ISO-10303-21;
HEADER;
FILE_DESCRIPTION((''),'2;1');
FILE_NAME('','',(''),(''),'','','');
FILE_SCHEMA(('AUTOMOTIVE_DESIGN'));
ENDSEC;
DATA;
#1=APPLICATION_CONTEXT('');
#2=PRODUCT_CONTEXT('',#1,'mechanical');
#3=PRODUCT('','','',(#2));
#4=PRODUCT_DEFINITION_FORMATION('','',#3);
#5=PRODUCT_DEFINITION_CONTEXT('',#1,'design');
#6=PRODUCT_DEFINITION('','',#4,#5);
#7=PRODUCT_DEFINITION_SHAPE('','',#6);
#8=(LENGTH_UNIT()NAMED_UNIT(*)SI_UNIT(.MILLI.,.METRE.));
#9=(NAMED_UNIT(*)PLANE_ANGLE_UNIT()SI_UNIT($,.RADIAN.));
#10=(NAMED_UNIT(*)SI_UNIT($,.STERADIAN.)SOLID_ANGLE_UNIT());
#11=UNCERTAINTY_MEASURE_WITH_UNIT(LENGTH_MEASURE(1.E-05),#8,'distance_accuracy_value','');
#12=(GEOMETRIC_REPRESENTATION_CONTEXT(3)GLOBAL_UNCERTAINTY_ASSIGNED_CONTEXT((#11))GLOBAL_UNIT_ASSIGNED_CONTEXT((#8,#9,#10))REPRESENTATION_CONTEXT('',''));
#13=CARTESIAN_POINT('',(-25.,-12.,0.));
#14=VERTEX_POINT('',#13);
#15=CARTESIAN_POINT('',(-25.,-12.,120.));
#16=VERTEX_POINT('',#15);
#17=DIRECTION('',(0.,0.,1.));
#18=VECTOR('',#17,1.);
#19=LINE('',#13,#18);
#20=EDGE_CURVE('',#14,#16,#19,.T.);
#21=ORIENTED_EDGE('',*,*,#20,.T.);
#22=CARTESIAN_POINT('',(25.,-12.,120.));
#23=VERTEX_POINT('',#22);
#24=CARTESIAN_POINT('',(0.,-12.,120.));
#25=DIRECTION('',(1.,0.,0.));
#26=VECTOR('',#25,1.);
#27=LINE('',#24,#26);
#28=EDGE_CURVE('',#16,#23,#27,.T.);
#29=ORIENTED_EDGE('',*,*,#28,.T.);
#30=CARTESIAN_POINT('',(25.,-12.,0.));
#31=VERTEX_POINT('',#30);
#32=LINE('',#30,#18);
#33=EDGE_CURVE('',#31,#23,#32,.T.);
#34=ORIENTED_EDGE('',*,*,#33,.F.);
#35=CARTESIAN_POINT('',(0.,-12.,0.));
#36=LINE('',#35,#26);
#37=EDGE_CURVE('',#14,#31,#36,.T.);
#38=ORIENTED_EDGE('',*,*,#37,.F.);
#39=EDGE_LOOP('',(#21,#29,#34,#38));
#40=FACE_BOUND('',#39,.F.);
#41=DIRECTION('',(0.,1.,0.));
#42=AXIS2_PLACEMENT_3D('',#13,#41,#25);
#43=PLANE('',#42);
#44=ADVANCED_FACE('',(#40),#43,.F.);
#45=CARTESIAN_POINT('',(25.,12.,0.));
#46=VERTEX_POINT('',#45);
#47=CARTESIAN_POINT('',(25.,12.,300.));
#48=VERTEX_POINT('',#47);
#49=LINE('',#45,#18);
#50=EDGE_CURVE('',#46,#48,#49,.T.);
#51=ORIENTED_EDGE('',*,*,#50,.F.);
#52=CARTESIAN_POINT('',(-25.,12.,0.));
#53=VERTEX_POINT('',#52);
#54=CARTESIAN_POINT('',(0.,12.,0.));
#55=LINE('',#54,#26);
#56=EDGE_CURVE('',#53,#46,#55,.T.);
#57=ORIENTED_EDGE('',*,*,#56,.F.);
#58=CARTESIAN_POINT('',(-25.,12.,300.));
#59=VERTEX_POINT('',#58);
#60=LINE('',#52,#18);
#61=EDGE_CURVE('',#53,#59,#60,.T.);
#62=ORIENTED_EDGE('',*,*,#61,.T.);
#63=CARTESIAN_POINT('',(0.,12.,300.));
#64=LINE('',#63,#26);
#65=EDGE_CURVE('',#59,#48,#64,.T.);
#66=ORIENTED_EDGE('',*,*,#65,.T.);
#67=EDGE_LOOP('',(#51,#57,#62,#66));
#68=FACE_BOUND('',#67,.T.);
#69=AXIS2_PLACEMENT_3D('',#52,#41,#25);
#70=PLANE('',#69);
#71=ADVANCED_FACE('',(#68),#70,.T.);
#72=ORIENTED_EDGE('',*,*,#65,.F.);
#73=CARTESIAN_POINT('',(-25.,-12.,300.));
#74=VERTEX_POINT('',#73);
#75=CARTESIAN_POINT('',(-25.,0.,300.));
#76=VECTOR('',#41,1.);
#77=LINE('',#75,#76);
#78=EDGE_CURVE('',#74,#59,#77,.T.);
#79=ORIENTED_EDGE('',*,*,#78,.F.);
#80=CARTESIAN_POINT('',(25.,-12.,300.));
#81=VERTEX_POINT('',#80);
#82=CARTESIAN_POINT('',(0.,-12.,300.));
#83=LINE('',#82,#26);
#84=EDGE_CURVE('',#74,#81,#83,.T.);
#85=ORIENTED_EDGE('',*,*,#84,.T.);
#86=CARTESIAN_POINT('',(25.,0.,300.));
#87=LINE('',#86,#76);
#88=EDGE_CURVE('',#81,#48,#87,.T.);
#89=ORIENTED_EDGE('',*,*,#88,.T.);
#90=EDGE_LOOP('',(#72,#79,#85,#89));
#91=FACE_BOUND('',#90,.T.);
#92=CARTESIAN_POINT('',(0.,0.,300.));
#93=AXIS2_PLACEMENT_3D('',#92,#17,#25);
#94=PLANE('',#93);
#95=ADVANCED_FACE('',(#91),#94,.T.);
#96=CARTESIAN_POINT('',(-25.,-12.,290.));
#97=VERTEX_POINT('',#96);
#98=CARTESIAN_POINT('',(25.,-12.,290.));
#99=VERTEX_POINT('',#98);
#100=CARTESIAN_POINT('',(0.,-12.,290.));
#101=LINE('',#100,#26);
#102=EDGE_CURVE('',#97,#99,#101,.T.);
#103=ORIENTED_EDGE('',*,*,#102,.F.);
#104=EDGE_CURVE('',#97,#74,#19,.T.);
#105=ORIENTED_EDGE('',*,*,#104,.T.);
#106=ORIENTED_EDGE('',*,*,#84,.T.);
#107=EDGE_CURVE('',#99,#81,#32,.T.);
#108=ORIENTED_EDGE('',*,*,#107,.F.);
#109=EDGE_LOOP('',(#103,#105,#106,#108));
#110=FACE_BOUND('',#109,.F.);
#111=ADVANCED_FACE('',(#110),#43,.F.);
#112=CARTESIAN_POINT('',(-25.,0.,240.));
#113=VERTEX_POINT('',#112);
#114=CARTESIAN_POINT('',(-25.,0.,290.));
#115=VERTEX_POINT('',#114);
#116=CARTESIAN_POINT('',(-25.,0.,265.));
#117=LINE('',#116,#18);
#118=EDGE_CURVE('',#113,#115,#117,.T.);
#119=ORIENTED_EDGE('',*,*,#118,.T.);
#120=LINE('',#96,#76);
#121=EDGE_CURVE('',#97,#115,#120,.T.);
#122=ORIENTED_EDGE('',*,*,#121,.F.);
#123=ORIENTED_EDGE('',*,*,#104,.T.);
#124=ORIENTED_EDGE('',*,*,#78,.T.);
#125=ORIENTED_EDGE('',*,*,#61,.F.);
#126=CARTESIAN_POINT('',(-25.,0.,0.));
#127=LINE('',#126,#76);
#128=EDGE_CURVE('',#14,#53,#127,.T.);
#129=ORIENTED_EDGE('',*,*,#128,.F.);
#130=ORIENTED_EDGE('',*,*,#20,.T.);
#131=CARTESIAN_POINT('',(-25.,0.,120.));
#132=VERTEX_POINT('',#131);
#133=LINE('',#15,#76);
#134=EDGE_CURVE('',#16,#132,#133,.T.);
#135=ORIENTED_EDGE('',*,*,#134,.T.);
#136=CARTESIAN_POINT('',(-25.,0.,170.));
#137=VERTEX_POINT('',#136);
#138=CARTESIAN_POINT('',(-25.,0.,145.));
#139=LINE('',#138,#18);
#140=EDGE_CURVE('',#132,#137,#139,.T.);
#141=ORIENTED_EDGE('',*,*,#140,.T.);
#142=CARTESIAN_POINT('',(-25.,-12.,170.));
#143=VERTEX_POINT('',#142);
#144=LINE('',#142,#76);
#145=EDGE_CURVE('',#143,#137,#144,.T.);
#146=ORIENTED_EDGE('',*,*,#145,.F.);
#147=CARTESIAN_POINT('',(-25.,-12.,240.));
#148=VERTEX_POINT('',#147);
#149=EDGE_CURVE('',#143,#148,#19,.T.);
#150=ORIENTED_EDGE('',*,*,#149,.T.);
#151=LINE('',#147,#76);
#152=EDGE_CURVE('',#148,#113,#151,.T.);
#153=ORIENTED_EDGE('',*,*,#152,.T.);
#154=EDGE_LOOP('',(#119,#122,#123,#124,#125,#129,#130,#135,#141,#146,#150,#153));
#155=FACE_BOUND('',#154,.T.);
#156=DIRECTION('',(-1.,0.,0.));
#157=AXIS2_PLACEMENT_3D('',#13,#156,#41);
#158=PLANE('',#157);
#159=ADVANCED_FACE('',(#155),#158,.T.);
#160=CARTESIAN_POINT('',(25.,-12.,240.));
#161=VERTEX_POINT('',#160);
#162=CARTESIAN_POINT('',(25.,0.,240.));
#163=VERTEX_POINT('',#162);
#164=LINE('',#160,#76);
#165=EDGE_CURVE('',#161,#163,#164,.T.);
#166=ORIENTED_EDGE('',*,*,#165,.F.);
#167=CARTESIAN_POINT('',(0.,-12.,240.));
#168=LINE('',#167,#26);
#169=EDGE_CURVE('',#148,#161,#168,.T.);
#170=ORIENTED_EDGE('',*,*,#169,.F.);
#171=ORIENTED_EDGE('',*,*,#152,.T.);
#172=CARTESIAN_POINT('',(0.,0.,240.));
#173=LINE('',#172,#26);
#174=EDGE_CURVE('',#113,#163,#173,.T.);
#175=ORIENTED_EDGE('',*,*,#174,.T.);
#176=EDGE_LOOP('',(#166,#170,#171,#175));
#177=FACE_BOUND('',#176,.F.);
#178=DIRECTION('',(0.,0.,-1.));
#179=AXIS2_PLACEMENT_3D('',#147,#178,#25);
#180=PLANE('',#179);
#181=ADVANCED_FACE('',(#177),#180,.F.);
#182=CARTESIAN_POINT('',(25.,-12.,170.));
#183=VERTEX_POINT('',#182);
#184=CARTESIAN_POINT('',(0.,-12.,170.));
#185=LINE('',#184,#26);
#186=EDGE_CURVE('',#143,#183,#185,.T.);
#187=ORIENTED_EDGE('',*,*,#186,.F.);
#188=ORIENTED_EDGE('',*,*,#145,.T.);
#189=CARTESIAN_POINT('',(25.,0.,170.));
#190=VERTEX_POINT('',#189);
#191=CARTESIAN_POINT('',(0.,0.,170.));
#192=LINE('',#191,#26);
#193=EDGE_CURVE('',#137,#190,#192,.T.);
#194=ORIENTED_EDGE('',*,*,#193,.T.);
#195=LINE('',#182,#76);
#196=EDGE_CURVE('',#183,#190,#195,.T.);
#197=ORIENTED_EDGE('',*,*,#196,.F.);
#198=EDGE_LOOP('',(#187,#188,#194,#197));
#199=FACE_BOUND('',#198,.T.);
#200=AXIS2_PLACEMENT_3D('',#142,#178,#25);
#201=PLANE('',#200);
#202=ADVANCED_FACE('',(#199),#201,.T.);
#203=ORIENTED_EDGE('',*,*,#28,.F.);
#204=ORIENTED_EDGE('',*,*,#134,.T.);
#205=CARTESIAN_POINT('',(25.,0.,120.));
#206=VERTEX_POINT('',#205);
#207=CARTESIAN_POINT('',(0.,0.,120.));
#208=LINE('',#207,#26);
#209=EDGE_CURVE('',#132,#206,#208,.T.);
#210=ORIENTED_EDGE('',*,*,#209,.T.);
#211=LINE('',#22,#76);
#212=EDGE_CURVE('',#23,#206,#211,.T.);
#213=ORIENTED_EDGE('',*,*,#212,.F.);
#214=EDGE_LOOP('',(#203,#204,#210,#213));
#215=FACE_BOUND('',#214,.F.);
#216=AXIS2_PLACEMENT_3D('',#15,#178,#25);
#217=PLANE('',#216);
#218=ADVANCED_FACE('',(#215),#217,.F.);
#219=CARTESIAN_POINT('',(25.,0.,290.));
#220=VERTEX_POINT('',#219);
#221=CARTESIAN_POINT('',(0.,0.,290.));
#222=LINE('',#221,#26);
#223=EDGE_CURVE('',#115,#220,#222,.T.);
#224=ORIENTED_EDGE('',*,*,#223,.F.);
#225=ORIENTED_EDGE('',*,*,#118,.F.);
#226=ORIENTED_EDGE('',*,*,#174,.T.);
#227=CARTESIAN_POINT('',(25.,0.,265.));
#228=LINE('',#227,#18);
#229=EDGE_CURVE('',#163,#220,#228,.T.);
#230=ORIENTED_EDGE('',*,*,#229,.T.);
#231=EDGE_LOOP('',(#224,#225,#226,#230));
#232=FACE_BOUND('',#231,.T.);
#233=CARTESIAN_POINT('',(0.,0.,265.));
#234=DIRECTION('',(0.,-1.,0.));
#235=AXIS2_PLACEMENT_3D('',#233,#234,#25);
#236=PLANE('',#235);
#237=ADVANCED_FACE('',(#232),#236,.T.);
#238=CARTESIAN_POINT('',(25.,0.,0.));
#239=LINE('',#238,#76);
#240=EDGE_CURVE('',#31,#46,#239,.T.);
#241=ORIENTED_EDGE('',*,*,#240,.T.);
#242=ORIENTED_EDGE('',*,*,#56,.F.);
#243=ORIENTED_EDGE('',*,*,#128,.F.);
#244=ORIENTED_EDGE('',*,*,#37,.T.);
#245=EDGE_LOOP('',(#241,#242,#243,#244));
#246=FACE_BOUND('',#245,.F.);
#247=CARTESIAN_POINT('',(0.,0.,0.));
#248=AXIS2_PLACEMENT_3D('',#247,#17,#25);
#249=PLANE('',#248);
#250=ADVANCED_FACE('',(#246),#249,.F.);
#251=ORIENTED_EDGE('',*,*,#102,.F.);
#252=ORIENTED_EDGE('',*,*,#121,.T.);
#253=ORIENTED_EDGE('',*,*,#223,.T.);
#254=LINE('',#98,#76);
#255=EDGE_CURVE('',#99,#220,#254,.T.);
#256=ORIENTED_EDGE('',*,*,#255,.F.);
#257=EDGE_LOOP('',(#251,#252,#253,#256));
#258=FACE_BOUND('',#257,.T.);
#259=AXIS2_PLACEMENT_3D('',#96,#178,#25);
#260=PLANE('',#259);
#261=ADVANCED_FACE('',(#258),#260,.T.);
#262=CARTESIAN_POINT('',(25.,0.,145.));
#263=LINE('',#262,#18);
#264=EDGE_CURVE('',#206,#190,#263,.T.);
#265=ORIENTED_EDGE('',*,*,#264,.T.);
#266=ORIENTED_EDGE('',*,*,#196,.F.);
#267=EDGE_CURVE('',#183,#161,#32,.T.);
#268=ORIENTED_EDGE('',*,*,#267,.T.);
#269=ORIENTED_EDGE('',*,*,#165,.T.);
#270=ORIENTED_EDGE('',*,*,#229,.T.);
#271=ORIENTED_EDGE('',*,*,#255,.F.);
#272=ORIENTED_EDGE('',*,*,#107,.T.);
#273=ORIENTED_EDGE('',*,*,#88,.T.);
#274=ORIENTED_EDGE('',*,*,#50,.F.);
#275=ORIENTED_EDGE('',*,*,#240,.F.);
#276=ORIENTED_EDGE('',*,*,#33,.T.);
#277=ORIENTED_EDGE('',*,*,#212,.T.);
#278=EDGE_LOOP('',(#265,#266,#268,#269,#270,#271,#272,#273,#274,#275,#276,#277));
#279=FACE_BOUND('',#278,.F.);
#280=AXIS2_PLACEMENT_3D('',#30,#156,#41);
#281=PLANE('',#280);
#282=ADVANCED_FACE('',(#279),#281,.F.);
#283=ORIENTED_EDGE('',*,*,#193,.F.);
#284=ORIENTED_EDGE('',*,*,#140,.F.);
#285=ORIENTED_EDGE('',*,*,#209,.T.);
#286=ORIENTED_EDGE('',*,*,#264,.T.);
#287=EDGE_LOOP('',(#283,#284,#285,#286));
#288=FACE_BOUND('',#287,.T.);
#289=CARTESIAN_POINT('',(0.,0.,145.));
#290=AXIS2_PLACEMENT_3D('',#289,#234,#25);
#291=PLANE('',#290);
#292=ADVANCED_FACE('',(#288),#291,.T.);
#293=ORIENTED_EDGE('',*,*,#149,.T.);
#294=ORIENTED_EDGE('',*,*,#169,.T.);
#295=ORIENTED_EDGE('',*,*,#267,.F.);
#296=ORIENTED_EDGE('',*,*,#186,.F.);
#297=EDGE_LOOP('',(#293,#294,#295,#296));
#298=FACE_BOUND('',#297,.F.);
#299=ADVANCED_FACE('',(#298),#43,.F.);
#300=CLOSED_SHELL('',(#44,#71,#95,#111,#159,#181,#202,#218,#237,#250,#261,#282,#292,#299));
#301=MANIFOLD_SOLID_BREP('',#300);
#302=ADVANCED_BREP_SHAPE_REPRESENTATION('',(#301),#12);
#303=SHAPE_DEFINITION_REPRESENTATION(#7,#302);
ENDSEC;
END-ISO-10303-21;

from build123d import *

# Parameters (mm, degrees)
F0_W     = 50
F0_H     = 24
F1_DEPTH = 300
F2_W     = 50
F2_H     = 50
F3_DEPTH = 12


with BuildPart() as f1:
    # F0 (on Top) → F1 (new body)
    with BuildSketch(Plane.XY):
        Rectangle(F0_W, F0_H)
    extrude(amount=F1_DEPTH)

    # F2 (on face) → F3 (cut)
    with BuildSketch(Plane.XZ.offset(12)):
        with Locations((0, 265)):
            Rectangle(F2_W, F2_H)
        with Locations((0, 145)):
            Rectangle(F2_W, F2_H)
    extrude(amount=-F3_DEPTH, mode=Mode.SUBTRACT)


solid = f1.part
